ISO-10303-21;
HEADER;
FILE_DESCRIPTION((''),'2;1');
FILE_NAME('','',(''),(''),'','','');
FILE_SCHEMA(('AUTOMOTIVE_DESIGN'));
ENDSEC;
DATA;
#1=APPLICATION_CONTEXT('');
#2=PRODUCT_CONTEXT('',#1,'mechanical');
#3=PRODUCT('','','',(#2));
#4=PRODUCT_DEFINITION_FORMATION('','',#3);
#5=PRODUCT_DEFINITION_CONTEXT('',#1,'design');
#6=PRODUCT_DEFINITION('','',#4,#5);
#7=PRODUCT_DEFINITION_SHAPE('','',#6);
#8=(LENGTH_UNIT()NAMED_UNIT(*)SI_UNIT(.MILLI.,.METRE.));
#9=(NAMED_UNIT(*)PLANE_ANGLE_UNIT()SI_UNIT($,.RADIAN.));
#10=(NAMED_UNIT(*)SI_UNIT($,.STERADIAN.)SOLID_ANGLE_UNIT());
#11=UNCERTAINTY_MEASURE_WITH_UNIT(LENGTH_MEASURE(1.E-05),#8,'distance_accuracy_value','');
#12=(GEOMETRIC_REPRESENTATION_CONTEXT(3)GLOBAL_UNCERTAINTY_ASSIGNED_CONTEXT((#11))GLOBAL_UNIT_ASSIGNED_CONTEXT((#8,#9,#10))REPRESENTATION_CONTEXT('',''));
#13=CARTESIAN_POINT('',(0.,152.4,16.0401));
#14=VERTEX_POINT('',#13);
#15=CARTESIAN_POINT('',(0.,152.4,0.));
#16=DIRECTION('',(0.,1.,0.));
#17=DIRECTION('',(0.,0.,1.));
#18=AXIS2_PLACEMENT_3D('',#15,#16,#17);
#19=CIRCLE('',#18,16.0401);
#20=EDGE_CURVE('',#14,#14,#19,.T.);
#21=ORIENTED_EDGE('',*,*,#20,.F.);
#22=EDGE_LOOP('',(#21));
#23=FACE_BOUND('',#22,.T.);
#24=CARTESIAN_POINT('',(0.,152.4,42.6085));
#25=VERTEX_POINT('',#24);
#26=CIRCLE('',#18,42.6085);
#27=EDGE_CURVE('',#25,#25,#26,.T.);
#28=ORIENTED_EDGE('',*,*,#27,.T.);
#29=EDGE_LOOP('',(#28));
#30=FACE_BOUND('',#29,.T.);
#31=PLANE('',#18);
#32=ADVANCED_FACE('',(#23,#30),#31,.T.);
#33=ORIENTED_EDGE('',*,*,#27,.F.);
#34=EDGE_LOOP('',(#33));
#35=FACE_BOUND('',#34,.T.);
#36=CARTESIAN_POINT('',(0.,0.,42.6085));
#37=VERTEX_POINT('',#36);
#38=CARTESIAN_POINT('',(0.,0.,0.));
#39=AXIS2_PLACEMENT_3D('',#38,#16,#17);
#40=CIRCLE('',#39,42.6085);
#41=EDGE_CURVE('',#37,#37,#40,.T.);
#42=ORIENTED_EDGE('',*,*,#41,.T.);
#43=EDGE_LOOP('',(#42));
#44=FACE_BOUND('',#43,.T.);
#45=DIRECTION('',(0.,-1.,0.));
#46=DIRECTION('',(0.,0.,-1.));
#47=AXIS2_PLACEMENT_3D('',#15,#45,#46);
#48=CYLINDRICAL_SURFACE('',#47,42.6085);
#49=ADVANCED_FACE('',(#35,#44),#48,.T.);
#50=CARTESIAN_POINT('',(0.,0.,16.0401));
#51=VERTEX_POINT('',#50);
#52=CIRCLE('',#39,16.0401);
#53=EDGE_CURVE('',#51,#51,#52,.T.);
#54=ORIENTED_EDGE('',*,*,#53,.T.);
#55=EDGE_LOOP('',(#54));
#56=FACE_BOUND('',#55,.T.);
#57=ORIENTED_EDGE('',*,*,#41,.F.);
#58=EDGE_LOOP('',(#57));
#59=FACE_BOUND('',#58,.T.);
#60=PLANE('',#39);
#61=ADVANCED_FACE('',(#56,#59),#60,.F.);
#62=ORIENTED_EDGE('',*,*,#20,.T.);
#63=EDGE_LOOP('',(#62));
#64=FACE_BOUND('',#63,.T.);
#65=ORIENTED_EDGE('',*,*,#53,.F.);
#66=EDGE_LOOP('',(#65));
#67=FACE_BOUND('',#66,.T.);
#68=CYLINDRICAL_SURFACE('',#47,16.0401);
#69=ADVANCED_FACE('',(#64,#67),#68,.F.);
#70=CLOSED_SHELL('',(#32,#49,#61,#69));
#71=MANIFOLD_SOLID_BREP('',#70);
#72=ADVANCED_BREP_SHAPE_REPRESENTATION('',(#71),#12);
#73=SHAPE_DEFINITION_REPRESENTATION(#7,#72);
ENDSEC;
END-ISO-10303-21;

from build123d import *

# Parameters (mm, degrees)
SKETCH2_R      = 42.6085
SKETCH2_R_2    = 16.0401
EXTRUDE1_DEPTH = 152.4


with BuildPart() as part:
    # Sketch2 → Extrude1 (new body)
    with BuildSketch(Plane(origin=(0, 0, 0), x_dir=(1, 0, 0), z_dir=(0, 1, 0))):
        Circle(SKETCH2_R)
        Circle(SKETCH2_R_2, mode=Mode.SUBTRACT)
    extrude(amount=EXTRUDE1_DEPTH)


solid = part.part
